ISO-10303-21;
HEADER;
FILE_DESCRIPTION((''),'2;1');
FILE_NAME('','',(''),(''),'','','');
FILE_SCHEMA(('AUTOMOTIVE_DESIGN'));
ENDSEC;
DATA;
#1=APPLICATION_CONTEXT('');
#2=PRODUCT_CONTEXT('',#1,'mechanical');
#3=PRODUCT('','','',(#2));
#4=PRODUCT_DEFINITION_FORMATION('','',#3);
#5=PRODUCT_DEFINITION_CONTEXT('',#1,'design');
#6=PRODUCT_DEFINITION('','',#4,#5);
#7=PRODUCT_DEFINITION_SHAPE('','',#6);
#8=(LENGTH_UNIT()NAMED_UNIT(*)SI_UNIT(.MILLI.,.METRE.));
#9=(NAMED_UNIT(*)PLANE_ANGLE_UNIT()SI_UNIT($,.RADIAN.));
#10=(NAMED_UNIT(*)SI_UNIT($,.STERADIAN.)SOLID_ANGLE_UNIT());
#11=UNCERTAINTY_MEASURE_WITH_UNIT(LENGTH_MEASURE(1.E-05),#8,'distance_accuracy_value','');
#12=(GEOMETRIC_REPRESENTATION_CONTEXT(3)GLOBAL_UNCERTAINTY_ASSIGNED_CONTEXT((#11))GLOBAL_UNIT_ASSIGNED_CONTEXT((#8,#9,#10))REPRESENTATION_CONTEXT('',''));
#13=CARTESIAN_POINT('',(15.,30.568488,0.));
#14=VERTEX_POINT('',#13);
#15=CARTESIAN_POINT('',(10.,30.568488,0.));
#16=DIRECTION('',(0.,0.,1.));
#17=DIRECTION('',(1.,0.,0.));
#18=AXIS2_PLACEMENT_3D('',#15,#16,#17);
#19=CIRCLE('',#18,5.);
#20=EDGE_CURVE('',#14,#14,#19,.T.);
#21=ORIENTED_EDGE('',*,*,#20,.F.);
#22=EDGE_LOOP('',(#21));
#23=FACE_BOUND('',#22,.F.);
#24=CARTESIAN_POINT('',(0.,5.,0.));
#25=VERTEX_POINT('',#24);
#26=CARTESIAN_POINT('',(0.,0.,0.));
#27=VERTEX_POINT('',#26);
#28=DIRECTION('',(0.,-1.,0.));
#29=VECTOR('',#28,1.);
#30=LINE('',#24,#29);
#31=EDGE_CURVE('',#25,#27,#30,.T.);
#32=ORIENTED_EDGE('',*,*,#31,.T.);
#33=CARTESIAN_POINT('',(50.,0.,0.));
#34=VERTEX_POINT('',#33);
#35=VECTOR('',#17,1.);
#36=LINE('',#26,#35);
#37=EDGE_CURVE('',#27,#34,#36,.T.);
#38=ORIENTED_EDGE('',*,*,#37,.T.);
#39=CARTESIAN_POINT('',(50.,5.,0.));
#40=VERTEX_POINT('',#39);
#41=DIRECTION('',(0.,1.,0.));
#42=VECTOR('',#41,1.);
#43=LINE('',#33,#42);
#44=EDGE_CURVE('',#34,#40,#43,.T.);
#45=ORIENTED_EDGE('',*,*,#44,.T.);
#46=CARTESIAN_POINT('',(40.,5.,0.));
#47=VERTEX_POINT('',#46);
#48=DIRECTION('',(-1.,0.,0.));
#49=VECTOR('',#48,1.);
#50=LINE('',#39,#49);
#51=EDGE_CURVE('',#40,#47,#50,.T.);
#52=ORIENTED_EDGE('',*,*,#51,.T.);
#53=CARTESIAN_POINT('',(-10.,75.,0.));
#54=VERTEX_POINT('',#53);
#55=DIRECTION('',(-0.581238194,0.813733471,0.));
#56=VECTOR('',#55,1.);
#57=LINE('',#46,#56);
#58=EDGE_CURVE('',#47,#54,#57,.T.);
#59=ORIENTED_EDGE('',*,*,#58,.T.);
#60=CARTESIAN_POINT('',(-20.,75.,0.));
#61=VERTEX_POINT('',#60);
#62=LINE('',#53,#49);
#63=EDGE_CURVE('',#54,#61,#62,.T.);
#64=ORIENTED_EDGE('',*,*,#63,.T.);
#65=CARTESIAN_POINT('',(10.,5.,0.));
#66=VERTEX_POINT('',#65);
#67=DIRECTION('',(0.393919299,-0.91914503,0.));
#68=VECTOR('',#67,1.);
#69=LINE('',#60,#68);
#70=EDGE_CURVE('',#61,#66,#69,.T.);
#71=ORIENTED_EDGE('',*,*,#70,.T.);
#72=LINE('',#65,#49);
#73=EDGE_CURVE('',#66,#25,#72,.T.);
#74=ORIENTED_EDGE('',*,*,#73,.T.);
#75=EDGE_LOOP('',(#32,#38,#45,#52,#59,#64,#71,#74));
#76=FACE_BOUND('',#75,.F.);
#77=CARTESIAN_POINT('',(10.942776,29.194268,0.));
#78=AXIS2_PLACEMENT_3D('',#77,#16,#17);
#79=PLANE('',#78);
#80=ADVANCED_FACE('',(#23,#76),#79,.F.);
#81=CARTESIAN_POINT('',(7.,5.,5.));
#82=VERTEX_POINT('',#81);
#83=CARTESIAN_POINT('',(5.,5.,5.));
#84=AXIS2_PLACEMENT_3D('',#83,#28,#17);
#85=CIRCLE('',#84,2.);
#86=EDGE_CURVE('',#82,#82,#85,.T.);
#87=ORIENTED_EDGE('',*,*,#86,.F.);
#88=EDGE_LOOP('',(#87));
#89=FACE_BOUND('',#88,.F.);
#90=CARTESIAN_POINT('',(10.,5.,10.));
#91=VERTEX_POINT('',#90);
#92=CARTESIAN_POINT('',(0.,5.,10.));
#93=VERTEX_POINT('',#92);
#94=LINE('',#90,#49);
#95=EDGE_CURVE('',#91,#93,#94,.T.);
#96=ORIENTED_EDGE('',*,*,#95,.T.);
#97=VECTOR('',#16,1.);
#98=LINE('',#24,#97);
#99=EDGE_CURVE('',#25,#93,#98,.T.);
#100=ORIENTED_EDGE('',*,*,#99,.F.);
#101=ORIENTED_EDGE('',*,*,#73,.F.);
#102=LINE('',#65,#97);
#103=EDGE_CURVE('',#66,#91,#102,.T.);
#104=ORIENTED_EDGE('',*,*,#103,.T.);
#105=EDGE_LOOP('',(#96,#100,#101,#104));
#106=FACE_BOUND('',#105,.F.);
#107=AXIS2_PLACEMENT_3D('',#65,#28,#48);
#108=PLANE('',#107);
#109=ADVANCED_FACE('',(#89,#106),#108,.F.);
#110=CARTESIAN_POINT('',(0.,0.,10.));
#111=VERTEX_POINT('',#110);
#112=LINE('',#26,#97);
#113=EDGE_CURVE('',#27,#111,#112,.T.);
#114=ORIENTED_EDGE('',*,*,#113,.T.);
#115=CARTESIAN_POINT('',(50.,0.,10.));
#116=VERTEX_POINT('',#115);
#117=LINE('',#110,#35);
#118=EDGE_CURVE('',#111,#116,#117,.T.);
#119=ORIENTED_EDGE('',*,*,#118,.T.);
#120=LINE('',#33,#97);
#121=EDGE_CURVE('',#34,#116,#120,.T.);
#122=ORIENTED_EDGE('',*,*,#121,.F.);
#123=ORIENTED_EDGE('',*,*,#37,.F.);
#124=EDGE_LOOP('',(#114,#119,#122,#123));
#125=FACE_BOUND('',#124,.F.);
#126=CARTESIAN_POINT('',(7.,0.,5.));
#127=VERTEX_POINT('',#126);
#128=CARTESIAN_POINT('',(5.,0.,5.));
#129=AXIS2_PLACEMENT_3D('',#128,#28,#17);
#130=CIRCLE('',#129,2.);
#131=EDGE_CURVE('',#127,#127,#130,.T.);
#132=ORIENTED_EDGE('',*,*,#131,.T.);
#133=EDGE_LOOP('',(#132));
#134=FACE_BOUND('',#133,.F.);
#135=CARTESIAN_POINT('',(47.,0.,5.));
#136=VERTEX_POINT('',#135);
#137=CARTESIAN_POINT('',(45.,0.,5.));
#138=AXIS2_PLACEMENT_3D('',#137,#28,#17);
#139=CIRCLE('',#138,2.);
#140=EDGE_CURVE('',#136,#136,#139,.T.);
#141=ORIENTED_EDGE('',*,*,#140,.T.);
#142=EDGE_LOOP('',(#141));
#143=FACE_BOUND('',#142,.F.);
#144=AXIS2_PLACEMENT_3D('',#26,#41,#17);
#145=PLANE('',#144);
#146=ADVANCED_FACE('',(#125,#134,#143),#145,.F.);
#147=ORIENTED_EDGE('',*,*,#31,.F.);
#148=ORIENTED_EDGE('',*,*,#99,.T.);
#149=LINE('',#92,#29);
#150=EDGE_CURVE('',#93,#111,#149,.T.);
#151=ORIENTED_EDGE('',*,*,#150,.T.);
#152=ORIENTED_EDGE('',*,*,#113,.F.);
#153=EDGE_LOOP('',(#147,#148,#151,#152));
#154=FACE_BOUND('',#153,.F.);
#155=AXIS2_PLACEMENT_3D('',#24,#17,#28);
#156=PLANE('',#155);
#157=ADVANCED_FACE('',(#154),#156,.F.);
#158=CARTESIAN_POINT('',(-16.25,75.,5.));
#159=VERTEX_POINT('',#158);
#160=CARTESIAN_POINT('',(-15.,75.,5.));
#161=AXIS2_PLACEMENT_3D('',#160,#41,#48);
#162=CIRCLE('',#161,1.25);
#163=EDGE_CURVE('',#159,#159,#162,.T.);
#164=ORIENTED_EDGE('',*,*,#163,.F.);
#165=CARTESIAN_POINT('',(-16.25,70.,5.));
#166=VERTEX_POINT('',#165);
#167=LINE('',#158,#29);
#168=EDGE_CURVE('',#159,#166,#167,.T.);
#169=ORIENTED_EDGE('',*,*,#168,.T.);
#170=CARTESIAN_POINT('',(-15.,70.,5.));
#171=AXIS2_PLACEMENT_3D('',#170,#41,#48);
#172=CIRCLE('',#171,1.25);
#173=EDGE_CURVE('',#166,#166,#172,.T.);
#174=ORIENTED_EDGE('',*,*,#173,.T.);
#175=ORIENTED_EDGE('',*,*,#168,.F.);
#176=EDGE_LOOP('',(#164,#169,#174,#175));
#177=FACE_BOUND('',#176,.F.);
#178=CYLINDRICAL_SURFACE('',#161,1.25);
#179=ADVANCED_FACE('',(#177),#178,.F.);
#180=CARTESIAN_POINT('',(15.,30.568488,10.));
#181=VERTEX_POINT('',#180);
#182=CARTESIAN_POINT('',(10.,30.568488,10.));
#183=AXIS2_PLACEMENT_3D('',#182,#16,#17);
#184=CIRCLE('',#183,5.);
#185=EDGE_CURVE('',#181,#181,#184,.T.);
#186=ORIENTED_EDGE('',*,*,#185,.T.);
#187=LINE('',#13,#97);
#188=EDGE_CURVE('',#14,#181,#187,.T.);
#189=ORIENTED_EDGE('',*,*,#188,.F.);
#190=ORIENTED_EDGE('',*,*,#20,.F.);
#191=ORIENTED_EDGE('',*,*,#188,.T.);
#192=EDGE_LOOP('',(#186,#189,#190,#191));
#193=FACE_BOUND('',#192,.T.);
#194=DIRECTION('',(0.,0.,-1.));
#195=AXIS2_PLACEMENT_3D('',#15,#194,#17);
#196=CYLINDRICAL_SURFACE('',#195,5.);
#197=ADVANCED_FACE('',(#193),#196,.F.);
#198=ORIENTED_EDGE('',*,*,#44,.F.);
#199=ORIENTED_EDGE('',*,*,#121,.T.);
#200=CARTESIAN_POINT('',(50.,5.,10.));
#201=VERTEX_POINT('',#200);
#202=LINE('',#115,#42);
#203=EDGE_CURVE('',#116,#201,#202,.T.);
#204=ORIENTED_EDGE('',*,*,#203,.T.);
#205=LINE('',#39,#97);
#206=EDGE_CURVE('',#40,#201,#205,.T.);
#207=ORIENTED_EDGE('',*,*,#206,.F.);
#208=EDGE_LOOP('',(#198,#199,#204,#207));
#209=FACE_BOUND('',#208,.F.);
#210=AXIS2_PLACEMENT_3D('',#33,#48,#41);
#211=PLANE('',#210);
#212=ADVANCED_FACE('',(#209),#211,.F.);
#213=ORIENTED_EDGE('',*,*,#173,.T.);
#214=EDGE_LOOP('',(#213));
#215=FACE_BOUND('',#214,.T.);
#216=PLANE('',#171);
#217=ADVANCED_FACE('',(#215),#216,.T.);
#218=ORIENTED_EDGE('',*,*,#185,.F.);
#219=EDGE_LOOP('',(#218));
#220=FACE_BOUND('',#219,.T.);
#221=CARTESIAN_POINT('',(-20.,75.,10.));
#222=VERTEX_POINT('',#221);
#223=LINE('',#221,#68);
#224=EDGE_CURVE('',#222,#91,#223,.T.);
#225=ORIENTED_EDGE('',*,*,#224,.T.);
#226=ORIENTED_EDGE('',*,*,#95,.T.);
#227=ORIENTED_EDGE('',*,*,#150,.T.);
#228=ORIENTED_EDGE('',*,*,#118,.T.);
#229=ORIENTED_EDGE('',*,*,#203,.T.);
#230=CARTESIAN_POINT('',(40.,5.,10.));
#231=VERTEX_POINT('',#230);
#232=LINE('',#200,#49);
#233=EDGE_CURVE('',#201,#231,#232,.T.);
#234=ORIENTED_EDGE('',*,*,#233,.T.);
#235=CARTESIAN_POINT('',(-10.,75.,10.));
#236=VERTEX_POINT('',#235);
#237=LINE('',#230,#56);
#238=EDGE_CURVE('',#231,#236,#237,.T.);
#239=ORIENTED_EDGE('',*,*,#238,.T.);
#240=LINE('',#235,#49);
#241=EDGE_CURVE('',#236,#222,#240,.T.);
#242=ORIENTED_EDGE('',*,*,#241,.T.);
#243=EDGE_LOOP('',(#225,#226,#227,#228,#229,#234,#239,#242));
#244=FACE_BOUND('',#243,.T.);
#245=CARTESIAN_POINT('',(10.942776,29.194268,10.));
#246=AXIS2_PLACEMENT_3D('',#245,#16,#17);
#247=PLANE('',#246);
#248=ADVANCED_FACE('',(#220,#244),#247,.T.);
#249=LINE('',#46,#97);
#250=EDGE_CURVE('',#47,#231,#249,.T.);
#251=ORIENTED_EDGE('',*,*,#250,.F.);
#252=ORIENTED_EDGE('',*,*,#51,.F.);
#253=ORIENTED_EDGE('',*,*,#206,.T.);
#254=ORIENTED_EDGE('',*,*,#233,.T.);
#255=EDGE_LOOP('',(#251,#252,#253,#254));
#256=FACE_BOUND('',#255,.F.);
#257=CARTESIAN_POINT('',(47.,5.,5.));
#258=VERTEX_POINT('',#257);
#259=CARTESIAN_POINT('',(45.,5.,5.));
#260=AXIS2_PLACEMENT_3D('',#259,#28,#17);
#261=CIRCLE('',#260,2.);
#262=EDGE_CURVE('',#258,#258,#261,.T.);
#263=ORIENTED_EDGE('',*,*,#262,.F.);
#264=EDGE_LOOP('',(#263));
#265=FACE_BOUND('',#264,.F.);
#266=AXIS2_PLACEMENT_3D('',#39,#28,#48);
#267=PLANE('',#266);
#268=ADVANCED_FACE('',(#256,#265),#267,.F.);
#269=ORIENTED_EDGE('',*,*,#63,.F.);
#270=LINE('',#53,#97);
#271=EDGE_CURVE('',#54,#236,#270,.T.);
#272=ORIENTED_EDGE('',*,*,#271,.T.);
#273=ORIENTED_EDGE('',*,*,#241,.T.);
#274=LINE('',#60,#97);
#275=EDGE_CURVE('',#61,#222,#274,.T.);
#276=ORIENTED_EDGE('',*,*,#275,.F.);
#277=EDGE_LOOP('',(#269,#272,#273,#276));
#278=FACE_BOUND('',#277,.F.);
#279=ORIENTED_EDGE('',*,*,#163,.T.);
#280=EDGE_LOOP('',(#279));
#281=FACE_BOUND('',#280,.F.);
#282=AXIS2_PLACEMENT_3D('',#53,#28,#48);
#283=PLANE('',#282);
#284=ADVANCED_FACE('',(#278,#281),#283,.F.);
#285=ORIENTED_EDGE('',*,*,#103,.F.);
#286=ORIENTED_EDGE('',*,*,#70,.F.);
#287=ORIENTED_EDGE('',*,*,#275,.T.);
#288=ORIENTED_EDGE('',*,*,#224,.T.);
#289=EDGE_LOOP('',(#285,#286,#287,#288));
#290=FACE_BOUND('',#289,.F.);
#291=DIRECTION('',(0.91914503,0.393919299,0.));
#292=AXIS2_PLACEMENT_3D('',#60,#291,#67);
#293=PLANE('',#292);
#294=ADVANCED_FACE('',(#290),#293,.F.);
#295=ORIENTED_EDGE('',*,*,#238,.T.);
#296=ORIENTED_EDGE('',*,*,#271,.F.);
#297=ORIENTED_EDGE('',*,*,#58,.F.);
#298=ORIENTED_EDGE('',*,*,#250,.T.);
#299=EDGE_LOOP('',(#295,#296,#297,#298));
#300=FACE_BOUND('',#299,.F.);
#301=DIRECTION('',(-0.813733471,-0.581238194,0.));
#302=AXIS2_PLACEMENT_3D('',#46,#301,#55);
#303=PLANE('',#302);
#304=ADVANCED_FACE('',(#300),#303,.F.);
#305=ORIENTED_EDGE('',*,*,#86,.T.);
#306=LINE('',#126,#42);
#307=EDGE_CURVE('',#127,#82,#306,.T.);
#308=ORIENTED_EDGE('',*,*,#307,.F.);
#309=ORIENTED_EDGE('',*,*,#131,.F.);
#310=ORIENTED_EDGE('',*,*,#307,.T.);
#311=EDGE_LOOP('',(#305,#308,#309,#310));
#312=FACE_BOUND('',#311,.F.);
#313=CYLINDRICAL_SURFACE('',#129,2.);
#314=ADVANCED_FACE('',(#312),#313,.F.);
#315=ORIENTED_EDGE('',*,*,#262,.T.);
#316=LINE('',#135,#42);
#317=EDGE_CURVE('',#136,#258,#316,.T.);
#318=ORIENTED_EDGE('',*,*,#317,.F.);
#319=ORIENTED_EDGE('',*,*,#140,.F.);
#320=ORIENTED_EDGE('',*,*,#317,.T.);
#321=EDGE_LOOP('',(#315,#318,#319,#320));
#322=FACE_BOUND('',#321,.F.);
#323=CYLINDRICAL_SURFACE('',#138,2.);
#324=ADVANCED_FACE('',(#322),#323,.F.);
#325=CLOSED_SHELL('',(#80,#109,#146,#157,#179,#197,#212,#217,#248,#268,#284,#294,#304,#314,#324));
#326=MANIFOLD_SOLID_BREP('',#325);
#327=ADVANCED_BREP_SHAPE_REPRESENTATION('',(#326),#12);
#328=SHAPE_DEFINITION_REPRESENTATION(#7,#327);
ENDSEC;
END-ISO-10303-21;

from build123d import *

# Parameters (mm, degrees)
F0_R     = 5
F1_DEPTH = 10
F2_R     = 2
F3_DEPTH = 5
F4_R     = 1.25
F5_DEPTH = 5


with BuildPart() as f1:
    # F0 (on Top) → F1 (new body)
    with BuildSketch(Plane.XY):
        Polygon((0, 5), (0, 0), (50, 0), (50, 5), (40, 5), (-10, 75), (-20, 75), (10, 5), align=None)
        with Locations((10, 30.5684879422)):
            Circle(F0_R, mode=Mode.SUBTRACT)
    extrude(amount=F1_DEPTH)

    # F2 (on face) → F3 (cut)
    with BuildSketch(Plane.XZ):
        with Locations((45, 5)):
            Circle(F2_R)
        with Locations((5, 5)):
            Circle(F2_R)
    extrude(amount=-F3_DEPTH, mode=Mode.SUBTRACT)

    # F4 (on face) → F5 (cut)
    with BuildSketch(Plane(origin=(0, 75, 0), x_dir=(-1, 0, 0), z_dir=(0, 1, 0))):
        with Locations((15, 5)):
            Circle(F4_R)
    extrude(amount=-F5_DEPTH, mode=Mode.SUBTRACT)


solid = f1.part
